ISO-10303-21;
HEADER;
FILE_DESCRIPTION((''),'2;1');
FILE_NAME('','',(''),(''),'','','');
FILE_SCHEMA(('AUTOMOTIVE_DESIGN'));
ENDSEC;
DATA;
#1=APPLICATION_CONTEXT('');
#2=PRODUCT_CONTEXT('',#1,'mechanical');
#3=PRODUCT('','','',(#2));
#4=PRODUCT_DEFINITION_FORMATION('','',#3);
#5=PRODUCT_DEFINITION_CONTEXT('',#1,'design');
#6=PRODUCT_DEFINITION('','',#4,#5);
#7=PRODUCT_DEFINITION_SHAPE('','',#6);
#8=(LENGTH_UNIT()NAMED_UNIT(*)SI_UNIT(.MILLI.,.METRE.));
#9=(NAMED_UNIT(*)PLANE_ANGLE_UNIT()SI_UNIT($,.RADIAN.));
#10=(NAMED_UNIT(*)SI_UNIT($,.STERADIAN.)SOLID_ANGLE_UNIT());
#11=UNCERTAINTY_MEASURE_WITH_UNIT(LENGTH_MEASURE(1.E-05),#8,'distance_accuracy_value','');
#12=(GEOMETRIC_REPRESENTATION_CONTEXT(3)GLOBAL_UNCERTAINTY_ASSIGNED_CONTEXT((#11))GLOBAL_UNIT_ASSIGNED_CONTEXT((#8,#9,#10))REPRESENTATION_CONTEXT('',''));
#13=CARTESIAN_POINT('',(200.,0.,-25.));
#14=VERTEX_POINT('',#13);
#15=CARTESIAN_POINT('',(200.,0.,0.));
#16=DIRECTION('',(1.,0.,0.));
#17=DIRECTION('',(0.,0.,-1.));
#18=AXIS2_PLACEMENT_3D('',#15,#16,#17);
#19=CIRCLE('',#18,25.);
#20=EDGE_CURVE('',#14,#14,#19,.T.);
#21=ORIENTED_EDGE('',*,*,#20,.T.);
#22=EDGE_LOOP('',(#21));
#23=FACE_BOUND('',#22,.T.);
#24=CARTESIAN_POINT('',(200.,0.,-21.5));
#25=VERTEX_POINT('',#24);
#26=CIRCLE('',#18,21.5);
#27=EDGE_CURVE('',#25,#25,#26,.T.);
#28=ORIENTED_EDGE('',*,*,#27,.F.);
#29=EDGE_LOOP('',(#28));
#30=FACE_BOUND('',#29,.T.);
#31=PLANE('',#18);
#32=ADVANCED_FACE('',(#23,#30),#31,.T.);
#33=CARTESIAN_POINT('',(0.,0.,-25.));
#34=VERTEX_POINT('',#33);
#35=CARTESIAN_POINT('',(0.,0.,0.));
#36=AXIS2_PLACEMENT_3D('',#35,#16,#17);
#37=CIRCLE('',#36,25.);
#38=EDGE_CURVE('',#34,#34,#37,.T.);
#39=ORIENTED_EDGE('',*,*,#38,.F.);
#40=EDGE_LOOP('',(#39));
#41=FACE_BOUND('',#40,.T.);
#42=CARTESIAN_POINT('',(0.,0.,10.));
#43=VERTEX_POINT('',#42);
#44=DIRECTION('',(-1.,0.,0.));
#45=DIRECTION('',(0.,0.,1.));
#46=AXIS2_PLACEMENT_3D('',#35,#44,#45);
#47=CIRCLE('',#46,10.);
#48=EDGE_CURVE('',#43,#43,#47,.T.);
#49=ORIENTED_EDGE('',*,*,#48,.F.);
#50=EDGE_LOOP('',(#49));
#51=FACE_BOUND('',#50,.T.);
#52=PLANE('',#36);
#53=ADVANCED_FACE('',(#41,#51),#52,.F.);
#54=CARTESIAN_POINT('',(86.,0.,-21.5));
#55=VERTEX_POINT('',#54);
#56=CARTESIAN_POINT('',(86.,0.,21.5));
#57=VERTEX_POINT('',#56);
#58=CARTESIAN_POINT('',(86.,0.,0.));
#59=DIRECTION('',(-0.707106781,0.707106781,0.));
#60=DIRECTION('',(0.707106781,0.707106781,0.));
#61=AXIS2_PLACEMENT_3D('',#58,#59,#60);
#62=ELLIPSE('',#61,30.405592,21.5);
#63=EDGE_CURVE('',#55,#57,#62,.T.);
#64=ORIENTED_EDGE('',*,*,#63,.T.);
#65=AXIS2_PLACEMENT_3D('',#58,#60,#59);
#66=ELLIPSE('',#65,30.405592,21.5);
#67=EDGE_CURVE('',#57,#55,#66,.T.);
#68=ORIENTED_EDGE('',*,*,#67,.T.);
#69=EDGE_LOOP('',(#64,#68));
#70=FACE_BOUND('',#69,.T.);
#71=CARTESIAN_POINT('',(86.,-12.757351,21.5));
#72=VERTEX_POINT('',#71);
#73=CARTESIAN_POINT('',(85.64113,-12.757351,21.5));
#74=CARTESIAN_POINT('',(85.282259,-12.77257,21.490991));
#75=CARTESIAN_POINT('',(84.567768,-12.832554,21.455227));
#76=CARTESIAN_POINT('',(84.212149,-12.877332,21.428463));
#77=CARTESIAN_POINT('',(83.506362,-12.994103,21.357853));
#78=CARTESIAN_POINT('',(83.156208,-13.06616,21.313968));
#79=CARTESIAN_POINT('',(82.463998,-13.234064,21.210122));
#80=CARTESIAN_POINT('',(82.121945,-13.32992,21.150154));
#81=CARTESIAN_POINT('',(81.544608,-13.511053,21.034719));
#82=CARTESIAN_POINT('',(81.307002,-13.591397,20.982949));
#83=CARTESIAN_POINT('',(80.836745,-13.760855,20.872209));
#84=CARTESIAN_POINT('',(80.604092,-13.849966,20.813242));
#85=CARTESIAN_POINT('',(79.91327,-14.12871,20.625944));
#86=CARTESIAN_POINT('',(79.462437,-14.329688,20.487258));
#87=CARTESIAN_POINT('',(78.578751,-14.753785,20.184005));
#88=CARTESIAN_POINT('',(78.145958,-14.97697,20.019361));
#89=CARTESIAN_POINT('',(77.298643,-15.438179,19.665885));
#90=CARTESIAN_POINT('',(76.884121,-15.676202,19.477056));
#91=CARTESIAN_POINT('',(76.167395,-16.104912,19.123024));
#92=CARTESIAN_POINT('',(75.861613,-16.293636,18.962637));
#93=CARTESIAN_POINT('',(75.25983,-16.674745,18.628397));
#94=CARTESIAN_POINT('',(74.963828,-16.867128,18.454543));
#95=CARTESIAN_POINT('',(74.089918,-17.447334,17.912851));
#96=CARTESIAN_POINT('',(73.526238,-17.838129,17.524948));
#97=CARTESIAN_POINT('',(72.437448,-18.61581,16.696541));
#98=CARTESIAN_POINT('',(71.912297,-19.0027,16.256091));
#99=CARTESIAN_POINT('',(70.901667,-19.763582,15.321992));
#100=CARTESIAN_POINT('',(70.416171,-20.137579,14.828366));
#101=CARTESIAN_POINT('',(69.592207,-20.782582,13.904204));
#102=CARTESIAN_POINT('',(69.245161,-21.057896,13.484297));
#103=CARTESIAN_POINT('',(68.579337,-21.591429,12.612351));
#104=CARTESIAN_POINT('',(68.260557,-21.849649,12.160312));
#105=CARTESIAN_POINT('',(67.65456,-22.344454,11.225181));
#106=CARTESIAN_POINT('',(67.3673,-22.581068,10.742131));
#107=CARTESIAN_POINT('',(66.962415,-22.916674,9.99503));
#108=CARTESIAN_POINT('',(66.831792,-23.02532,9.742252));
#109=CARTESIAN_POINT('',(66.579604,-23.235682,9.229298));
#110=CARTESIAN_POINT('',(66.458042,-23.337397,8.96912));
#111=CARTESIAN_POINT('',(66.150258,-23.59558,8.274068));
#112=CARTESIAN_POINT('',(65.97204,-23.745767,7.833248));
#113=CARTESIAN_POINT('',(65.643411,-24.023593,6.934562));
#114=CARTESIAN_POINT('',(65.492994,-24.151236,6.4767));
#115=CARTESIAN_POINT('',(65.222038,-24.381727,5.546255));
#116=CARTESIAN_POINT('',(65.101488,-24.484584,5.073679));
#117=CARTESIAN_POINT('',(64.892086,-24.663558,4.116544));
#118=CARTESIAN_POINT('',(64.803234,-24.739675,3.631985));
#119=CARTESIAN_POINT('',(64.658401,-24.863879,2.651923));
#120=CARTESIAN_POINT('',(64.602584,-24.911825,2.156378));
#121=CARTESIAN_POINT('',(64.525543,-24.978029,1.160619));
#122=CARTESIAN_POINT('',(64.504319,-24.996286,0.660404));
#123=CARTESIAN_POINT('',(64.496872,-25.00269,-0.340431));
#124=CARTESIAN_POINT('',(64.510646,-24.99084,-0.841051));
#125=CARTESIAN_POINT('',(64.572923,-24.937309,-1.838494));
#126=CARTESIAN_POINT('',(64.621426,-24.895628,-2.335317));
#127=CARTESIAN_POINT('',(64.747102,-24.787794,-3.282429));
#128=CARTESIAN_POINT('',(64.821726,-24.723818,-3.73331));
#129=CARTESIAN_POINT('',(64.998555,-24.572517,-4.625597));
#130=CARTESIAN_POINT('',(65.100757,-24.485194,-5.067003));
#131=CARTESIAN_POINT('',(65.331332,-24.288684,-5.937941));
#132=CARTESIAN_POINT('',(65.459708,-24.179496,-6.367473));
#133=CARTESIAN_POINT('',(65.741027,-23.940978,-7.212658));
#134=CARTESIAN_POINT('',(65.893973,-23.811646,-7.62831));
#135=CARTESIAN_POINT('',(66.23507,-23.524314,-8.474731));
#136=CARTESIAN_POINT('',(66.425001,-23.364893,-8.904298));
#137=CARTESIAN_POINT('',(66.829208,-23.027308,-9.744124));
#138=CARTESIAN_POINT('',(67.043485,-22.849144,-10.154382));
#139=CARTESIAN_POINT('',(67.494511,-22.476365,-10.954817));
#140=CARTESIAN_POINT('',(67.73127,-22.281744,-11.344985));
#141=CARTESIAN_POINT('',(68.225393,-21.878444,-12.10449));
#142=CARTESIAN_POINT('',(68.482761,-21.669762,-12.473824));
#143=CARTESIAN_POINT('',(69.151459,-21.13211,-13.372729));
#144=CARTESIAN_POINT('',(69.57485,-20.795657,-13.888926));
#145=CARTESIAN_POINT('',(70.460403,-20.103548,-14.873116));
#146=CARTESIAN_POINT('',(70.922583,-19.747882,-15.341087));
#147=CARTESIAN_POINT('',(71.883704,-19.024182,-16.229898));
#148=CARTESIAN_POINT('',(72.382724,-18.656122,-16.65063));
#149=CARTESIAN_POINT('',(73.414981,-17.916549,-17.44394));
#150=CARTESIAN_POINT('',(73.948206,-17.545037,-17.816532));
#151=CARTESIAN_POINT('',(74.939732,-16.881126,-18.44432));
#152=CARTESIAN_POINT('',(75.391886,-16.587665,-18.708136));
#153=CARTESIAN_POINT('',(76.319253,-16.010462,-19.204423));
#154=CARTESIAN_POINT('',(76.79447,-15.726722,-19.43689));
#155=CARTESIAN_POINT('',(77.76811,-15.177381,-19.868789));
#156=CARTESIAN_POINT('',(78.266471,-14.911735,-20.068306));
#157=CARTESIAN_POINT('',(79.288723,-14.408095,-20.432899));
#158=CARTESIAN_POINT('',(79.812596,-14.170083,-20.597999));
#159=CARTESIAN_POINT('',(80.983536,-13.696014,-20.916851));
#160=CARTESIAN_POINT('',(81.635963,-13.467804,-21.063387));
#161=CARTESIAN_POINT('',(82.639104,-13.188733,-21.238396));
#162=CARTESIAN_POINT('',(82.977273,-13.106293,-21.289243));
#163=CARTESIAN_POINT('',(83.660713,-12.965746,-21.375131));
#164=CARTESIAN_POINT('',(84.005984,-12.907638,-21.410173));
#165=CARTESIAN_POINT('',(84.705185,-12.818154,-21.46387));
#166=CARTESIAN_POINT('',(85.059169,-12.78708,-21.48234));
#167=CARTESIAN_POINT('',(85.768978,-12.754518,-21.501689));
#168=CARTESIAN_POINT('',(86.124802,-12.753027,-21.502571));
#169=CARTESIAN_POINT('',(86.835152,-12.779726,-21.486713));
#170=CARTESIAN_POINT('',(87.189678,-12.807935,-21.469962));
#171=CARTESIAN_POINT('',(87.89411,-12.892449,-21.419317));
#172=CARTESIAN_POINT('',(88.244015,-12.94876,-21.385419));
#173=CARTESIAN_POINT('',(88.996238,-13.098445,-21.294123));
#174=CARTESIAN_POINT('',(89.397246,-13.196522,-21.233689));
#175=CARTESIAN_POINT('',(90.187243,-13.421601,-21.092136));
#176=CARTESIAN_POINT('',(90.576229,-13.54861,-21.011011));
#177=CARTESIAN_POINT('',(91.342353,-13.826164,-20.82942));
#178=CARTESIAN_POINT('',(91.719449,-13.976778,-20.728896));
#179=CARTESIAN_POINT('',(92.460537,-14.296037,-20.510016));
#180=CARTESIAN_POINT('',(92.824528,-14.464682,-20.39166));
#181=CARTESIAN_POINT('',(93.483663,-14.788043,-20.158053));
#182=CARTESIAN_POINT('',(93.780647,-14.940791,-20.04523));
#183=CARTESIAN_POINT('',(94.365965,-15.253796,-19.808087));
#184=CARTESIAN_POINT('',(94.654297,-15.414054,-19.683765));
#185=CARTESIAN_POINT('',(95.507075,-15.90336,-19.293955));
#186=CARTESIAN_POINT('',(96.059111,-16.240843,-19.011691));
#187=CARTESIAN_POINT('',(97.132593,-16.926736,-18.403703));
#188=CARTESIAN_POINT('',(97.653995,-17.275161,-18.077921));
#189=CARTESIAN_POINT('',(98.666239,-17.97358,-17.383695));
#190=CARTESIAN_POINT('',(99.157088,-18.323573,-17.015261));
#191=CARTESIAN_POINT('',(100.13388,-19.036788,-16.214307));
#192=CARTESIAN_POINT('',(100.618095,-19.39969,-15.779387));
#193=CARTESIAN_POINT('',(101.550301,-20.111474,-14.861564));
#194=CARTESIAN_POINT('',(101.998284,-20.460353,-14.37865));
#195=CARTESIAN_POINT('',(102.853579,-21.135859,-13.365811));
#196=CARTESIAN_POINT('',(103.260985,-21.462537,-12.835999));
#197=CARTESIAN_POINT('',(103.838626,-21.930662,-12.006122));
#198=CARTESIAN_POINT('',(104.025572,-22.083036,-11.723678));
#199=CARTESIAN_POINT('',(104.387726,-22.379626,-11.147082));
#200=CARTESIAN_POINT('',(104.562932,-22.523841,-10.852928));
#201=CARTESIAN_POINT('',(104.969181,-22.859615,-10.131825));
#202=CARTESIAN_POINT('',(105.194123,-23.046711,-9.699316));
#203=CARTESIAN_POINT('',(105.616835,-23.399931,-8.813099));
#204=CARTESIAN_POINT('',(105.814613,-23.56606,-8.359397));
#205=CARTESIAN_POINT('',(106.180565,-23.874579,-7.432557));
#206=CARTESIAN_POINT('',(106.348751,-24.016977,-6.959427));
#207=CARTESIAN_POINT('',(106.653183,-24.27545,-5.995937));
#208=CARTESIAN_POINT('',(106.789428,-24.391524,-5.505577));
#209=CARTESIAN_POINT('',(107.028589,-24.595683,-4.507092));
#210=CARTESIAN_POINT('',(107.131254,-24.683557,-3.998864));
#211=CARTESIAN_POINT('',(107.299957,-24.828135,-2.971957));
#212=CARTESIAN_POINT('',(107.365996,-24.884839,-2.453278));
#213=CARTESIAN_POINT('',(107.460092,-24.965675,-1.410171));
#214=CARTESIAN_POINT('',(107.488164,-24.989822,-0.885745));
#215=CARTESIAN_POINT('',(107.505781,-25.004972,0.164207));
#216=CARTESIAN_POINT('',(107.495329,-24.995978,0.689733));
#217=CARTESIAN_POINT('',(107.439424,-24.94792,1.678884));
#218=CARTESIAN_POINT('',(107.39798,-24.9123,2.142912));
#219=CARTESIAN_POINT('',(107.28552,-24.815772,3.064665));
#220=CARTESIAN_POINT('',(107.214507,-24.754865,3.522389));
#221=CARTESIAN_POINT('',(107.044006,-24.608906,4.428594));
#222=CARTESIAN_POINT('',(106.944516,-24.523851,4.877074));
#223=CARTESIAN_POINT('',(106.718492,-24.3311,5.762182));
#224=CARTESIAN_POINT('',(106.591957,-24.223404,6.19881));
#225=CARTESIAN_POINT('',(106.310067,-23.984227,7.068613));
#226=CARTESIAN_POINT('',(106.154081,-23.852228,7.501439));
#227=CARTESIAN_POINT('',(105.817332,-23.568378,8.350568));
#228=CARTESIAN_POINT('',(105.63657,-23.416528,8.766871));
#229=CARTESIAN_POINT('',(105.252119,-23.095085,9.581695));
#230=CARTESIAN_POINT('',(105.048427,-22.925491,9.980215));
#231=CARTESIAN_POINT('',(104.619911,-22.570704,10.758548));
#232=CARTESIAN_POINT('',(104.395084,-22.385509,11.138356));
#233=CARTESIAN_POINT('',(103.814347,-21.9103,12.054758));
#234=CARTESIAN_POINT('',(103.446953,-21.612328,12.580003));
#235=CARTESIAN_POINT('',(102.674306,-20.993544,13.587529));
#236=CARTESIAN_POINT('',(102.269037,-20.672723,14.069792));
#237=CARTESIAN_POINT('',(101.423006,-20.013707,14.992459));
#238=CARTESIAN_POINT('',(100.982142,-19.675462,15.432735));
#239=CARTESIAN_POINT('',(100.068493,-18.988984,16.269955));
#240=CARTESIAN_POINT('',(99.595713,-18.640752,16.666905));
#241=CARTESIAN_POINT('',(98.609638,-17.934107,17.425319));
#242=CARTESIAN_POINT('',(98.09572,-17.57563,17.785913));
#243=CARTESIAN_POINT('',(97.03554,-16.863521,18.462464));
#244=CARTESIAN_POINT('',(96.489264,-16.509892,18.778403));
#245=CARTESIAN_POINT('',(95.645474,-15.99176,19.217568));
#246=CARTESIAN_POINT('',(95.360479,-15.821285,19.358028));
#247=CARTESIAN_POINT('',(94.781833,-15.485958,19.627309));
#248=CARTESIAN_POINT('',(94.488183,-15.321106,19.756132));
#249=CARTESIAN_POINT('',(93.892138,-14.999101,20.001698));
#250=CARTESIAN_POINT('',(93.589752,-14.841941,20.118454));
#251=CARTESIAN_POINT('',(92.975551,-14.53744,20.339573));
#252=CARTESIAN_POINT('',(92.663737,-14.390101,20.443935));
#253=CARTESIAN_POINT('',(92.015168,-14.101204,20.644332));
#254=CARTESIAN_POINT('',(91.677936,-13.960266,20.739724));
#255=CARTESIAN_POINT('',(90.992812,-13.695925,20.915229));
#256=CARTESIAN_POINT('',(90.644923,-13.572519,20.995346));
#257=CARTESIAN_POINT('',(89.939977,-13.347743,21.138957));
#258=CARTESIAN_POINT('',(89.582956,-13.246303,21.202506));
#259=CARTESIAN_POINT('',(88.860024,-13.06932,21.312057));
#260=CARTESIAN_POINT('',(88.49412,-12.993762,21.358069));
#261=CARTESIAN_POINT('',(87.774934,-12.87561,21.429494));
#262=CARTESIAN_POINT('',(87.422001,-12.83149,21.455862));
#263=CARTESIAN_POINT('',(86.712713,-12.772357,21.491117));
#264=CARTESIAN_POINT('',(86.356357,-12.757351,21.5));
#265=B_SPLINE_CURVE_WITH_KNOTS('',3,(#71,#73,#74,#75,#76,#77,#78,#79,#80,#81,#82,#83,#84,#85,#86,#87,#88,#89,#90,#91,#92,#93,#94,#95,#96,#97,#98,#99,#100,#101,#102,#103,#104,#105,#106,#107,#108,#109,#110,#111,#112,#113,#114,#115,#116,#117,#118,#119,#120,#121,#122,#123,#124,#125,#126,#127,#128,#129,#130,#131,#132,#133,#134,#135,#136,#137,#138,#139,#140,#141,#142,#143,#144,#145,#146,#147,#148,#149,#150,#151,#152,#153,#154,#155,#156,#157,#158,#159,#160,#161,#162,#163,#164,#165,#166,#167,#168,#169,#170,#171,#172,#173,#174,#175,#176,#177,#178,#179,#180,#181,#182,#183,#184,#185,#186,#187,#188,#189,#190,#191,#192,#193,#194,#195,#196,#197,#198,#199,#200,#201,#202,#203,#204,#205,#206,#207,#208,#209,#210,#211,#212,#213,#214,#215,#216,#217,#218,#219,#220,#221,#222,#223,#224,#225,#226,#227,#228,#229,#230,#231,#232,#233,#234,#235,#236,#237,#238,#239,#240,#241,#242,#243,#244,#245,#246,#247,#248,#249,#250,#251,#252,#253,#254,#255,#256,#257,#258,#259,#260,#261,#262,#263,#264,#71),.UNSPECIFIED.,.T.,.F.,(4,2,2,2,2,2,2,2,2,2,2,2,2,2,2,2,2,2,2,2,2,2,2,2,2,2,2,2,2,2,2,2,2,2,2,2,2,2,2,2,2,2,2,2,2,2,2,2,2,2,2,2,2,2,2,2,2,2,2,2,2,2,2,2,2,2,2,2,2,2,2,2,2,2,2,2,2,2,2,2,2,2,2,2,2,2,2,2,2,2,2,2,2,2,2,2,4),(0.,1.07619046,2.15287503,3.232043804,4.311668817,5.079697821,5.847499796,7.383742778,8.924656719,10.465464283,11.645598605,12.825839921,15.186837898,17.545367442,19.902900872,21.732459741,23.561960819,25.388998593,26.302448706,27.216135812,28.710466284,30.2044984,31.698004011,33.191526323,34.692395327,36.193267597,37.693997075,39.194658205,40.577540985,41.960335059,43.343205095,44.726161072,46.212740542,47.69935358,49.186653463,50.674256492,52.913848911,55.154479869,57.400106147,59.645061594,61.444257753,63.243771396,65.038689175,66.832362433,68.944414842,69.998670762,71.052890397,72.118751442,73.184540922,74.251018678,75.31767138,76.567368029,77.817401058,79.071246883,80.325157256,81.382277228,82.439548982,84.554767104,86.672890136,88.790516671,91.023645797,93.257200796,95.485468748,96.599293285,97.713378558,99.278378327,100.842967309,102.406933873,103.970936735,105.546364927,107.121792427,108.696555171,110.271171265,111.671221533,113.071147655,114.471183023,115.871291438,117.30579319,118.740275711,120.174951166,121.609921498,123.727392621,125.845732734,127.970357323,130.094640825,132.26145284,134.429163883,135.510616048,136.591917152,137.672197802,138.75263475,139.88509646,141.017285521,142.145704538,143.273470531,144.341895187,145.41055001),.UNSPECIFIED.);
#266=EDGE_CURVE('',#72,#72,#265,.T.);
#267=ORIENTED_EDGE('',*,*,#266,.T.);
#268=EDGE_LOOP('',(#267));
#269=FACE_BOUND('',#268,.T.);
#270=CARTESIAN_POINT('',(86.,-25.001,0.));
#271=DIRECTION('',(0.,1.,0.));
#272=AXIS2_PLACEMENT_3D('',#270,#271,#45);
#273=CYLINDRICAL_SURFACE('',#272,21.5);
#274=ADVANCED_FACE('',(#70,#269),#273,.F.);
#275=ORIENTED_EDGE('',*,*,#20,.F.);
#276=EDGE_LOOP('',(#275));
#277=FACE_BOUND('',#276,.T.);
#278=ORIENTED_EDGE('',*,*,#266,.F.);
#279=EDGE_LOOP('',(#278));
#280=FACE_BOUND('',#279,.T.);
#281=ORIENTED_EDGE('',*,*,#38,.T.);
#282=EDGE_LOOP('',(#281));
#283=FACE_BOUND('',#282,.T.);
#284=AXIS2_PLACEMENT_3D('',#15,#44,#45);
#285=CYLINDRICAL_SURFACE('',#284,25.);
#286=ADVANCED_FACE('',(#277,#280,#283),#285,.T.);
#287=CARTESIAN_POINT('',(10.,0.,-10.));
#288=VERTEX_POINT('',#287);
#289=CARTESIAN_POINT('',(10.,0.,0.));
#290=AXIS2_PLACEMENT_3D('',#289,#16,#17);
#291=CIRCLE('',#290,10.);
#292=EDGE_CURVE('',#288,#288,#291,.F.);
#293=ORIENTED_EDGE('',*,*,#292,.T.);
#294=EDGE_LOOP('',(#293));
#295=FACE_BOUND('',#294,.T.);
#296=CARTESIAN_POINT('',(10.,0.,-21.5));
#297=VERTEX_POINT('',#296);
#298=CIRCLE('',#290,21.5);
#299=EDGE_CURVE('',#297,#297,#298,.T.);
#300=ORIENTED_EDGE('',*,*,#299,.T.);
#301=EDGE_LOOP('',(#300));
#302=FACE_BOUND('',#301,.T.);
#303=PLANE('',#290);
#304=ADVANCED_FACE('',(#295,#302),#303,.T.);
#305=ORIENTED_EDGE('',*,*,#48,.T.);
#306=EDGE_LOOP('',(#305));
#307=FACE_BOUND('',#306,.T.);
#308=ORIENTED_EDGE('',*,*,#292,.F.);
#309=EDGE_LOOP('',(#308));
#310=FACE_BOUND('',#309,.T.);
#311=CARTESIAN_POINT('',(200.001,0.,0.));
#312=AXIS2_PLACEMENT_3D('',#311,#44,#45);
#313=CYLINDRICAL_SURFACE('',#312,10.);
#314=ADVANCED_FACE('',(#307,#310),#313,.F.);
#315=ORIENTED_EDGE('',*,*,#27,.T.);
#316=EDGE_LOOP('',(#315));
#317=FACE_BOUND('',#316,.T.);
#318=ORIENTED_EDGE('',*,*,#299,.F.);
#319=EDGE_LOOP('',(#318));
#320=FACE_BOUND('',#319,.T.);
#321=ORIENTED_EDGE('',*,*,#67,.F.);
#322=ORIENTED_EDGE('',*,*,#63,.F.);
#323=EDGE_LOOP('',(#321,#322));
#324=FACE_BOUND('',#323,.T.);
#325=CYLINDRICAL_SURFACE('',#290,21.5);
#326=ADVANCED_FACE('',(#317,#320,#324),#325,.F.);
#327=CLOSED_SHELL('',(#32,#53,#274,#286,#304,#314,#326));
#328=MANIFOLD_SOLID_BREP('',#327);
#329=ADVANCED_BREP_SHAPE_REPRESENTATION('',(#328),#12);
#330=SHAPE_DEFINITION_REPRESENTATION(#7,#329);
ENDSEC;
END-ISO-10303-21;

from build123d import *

# Parameters (mm, degrees)
SKETCH1_R           = 25
BOSS_EXTRUDE3_DEPTH = 200
SKETCH3_R           = 21.5
CUT_EXTRUDE1_DEPTH  = 190
CUT_EXTRUDE2_REACH  = 202
SKETCH5_R           = 10
CUT_EXTRUDE3_REACH  = 27
SKETCH6_R           = 21.5


with BuildPart() as part:
    # Sketch1 → Boss-Extrude3 (new body)
    with BuildSketch(Plane(origin=(0, 0, 0), x_dir=(0, 0, -1), z_dir=(1, 0, 0))):
        Circle(SKETCH1_R)
    extrude(amount=BOSS_EXTRUDE3_DEPTH)

    # Sketch3 → Cut-Extrude1 (cut)
    with BuildSketch(Plane(origin=(200, 0, 0), x_dir=(0, 0, -1), z_dir=(1, 0, 0))):
        Circle(SKETCH3_R)
    extrude(amount=-CUT_EXTRUDE1_DEPTH, mode=Mode.SUBTRACT)

    # Sketch5 → Cut-Extrude2 (cut, up to next)
    with BuildSketch(Plane.ZY, mode=Mode.PRIVATE) as cut_extrude2_sk1:
        Circle(SKETCH5_R)
    cut_extrude2_tool1 = extrude(cut_extrude2_sk1.sketch, amount=-CUT_EXTRUDE2_REACH, mode=Mode.PRIVATE) & part.part
    add(cut_extrude2_tool1.solids().sort_by_distance((0, 0, 0))[0], mode=Mode.SUBTRACT)

    # Sketch6 → Cut-Extrude3 (cut, up to next)
    with BuildSketch(Plane(origin=(0, 0, 0), x_dir=(1, 0, 0), z_dir=(0, 1, 0)), mode=Mode.PRIVATE) as cut_extrude3_sk1:
        with Locations((86, 0)):
            Circle(SKETCH6_R)
    cut_extrude3_tool1 = extrude(cut_extrude3_sk1.sketch, amount=-CUT_EXTRUDE3_REACH, mode=Mode.PRIVATE) & part.part
    add(cut_extrude3_tool1.solids().sort_by_distance((86, 0, 0))[0], mode=Mode.SUBTRACT)


solid = part.part
